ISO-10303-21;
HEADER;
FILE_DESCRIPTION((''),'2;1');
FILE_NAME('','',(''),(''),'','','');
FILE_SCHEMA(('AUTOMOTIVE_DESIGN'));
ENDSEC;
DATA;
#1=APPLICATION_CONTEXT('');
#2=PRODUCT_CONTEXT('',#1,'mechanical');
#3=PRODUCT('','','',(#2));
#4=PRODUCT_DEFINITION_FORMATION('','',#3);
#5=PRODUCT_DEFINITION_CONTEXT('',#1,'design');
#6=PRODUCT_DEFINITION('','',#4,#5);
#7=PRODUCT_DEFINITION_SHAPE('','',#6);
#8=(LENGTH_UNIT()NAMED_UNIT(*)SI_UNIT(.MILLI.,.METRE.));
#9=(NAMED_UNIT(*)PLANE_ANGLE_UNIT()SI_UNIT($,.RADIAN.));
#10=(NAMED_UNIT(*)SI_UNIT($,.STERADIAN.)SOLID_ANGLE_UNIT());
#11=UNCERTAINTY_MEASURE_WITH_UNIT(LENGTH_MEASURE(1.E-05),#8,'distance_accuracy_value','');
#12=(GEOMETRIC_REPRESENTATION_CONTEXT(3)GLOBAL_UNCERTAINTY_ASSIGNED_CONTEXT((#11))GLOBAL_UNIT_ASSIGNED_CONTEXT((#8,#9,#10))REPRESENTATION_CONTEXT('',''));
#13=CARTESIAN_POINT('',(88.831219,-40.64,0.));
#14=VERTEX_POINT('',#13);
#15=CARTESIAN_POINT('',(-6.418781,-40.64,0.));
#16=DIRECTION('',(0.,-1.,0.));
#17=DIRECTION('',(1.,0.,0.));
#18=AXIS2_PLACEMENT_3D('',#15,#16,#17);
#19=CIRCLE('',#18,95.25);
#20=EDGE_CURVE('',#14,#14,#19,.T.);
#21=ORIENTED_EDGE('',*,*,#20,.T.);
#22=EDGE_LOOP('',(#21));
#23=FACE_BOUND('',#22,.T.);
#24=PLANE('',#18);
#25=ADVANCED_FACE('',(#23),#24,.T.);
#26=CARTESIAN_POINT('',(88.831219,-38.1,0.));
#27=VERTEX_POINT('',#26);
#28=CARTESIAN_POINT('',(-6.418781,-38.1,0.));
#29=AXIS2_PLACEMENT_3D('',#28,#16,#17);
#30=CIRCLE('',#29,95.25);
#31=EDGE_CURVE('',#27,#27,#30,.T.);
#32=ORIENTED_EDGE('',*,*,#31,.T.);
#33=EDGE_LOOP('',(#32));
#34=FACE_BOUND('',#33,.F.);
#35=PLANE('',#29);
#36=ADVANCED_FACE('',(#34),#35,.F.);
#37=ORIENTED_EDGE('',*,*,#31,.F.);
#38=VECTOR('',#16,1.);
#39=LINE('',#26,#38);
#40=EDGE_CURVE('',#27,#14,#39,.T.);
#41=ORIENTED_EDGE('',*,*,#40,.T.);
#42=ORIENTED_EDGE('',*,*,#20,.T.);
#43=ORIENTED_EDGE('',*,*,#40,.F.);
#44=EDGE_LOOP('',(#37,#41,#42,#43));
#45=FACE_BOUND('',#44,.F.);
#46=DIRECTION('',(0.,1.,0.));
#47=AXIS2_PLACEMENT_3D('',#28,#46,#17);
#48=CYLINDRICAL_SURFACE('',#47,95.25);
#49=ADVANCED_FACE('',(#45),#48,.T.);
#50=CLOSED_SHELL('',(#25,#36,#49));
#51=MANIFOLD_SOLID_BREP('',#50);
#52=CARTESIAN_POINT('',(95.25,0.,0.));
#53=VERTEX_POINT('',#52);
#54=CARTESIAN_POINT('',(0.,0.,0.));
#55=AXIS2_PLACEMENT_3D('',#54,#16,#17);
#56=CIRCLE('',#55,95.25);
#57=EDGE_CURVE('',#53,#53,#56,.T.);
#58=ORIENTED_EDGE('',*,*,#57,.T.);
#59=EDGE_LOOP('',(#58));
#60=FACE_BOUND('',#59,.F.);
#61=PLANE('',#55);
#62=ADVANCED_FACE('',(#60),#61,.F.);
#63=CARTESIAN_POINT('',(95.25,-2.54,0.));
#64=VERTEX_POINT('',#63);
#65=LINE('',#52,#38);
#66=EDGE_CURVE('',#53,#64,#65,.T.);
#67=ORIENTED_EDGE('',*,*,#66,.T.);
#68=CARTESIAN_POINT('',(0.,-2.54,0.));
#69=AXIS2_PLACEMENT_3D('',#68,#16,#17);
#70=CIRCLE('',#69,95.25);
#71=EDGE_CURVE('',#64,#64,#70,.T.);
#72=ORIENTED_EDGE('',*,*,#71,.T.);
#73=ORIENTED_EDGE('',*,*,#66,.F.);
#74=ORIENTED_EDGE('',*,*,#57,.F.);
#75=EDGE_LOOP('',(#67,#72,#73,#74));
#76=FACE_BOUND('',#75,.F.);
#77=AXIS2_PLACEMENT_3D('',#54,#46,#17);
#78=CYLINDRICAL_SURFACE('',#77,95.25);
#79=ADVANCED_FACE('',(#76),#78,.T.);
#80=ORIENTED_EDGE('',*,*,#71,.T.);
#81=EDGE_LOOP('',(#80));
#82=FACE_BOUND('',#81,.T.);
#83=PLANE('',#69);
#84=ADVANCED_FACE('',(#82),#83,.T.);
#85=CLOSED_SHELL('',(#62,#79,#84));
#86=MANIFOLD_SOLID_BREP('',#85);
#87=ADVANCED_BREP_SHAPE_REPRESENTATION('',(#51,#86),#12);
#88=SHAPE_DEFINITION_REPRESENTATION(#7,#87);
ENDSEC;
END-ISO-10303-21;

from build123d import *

# Parameters (mm, degrees)
F0_R     = 95.25
F1_DEPTH = 2.54
F3_R     = 95.25
F4_DEPTH = 2.54


with BuildPart() as f1:
    # F0 (on Front) → F1 (new body)
    with BuildSketch(Plane.XZ):
        Circle(F0_R)
    extrude(amount=F1_DEPTH)


with BuildPart() as f4:
    # F3 (on offset) → F4 (new body)
    with BuildSketch(Plane.XZ.offset(38.1)):
        with Locations((-6.418781, 0)):
            Circle(F3_R)
    extrude(amount=F4_DEPTH)


solid = Compound([f1.part, f4.part])
